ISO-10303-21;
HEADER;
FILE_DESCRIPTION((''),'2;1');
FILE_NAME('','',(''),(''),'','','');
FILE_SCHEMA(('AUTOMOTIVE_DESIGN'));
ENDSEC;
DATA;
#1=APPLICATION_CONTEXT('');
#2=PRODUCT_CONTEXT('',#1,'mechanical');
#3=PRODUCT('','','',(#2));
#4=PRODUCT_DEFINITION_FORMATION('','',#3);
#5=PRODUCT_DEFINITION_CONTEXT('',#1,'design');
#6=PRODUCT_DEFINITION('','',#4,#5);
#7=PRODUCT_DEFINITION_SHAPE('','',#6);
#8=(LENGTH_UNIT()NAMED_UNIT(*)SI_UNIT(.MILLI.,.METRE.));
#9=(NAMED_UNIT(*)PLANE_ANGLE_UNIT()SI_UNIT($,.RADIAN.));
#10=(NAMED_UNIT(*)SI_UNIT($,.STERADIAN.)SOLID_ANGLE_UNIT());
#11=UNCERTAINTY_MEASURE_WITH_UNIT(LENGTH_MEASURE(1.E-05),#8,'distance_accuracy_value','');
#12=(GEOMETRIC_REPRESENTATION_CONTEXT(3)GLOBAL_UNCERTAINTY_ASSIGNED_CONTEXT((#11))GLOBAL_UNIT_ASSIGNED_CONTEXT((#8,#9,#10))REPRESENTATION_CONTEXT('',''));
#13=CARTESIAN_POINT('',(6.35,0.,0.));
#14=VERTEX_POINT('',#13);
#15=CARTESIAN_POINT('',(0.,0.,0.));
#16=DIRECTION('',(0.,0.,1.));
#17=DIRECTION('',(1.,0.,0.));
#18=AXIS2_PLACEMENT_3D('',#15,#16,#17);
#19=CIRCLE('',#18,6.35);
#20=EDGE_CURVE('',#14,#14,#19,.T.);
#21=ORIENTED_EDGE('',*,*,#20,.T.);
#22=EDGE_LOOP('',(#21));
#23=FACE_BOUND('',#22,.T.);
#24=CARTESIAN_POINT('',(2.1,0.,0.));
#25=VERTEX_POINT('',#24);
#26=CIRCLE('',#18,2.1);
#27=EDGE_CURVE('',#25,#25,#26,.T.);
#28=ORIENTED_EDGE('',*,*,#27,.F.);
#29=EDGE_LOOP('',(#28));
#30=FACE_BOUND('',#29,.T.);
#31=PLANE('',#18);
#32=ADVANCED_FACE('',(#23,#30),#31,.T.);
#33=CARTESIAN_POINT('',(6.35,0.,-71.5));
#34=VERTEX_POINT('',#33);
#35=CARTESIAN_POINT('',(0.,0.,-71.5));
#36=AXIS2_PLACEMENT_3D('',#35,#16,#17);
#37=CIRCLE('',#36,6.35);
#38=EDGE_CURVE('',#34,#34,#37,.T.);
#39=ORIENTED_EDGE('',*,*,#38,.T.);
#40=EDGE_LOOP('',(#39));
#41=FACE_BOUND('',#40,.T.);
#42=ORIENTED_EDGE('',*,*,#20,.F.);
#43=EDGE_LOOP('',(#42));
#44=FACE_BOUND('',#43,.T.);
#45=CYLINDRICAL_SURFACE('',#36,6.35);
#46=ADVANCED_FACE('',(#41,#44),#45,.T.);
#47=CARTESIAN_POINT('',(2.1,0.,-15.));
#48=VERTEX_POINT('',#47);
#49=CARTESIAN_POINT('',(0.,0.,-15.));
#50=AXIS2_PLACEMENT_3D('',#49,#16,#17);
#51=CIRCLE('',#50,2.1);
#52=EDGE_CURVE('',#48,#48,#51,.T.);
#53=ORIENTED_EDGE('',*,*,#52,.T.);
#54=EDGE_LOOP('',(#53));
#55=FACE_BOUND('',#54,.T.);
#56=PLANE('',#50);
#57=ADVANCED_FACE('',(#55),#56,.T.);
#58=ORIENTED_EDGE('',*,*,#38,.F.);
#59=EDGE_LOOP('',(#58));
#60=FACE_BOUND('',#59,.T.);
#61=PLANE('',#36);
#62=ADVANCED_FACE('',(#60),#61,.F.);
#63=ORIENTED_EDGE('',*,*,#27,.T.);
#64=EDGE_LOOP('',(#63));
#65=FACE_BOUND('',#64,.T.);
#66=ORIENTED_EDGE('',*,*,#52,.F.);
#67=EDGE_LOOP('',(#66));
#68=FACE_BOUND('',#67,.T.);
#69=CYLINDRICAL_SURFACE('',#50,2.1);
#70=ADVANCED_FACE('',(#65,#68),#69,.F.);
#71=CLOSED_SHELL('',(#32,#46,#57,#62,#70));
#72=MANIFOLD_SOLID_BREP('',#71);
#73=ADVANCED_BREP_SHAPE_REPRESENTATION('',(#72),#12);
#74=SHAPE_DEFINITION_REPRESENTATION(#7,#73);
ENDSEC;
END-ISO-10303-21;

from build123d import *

# Parameters (mm, degrees)
SKETCH1_R           = 6.35
BOSS_EXTRUDE1_DEPTH = 71.5
SKETCH2_R           = 2.1
CUT_EXTRUDE1_DEPTH  = 15


with BuildPart() as part:
    # Sketch1 → Boss-Extrude1 (new body)
    with BuildSketch(Plane.XY):
        Circle(SKETCH1_R)
    extrude(amount=-BOSS_EXTRUDE1_DEPTH)

    # Sketch2 → Cut-Extrude1 (cut)
    with BuildSketch(Plane.XY):
        Circle(SKETCH2_R)
    extrude(amount=-CUT_EXTRUDE1_DEPTH, mode=Mode.SUBTRACT)


solid = part.part
